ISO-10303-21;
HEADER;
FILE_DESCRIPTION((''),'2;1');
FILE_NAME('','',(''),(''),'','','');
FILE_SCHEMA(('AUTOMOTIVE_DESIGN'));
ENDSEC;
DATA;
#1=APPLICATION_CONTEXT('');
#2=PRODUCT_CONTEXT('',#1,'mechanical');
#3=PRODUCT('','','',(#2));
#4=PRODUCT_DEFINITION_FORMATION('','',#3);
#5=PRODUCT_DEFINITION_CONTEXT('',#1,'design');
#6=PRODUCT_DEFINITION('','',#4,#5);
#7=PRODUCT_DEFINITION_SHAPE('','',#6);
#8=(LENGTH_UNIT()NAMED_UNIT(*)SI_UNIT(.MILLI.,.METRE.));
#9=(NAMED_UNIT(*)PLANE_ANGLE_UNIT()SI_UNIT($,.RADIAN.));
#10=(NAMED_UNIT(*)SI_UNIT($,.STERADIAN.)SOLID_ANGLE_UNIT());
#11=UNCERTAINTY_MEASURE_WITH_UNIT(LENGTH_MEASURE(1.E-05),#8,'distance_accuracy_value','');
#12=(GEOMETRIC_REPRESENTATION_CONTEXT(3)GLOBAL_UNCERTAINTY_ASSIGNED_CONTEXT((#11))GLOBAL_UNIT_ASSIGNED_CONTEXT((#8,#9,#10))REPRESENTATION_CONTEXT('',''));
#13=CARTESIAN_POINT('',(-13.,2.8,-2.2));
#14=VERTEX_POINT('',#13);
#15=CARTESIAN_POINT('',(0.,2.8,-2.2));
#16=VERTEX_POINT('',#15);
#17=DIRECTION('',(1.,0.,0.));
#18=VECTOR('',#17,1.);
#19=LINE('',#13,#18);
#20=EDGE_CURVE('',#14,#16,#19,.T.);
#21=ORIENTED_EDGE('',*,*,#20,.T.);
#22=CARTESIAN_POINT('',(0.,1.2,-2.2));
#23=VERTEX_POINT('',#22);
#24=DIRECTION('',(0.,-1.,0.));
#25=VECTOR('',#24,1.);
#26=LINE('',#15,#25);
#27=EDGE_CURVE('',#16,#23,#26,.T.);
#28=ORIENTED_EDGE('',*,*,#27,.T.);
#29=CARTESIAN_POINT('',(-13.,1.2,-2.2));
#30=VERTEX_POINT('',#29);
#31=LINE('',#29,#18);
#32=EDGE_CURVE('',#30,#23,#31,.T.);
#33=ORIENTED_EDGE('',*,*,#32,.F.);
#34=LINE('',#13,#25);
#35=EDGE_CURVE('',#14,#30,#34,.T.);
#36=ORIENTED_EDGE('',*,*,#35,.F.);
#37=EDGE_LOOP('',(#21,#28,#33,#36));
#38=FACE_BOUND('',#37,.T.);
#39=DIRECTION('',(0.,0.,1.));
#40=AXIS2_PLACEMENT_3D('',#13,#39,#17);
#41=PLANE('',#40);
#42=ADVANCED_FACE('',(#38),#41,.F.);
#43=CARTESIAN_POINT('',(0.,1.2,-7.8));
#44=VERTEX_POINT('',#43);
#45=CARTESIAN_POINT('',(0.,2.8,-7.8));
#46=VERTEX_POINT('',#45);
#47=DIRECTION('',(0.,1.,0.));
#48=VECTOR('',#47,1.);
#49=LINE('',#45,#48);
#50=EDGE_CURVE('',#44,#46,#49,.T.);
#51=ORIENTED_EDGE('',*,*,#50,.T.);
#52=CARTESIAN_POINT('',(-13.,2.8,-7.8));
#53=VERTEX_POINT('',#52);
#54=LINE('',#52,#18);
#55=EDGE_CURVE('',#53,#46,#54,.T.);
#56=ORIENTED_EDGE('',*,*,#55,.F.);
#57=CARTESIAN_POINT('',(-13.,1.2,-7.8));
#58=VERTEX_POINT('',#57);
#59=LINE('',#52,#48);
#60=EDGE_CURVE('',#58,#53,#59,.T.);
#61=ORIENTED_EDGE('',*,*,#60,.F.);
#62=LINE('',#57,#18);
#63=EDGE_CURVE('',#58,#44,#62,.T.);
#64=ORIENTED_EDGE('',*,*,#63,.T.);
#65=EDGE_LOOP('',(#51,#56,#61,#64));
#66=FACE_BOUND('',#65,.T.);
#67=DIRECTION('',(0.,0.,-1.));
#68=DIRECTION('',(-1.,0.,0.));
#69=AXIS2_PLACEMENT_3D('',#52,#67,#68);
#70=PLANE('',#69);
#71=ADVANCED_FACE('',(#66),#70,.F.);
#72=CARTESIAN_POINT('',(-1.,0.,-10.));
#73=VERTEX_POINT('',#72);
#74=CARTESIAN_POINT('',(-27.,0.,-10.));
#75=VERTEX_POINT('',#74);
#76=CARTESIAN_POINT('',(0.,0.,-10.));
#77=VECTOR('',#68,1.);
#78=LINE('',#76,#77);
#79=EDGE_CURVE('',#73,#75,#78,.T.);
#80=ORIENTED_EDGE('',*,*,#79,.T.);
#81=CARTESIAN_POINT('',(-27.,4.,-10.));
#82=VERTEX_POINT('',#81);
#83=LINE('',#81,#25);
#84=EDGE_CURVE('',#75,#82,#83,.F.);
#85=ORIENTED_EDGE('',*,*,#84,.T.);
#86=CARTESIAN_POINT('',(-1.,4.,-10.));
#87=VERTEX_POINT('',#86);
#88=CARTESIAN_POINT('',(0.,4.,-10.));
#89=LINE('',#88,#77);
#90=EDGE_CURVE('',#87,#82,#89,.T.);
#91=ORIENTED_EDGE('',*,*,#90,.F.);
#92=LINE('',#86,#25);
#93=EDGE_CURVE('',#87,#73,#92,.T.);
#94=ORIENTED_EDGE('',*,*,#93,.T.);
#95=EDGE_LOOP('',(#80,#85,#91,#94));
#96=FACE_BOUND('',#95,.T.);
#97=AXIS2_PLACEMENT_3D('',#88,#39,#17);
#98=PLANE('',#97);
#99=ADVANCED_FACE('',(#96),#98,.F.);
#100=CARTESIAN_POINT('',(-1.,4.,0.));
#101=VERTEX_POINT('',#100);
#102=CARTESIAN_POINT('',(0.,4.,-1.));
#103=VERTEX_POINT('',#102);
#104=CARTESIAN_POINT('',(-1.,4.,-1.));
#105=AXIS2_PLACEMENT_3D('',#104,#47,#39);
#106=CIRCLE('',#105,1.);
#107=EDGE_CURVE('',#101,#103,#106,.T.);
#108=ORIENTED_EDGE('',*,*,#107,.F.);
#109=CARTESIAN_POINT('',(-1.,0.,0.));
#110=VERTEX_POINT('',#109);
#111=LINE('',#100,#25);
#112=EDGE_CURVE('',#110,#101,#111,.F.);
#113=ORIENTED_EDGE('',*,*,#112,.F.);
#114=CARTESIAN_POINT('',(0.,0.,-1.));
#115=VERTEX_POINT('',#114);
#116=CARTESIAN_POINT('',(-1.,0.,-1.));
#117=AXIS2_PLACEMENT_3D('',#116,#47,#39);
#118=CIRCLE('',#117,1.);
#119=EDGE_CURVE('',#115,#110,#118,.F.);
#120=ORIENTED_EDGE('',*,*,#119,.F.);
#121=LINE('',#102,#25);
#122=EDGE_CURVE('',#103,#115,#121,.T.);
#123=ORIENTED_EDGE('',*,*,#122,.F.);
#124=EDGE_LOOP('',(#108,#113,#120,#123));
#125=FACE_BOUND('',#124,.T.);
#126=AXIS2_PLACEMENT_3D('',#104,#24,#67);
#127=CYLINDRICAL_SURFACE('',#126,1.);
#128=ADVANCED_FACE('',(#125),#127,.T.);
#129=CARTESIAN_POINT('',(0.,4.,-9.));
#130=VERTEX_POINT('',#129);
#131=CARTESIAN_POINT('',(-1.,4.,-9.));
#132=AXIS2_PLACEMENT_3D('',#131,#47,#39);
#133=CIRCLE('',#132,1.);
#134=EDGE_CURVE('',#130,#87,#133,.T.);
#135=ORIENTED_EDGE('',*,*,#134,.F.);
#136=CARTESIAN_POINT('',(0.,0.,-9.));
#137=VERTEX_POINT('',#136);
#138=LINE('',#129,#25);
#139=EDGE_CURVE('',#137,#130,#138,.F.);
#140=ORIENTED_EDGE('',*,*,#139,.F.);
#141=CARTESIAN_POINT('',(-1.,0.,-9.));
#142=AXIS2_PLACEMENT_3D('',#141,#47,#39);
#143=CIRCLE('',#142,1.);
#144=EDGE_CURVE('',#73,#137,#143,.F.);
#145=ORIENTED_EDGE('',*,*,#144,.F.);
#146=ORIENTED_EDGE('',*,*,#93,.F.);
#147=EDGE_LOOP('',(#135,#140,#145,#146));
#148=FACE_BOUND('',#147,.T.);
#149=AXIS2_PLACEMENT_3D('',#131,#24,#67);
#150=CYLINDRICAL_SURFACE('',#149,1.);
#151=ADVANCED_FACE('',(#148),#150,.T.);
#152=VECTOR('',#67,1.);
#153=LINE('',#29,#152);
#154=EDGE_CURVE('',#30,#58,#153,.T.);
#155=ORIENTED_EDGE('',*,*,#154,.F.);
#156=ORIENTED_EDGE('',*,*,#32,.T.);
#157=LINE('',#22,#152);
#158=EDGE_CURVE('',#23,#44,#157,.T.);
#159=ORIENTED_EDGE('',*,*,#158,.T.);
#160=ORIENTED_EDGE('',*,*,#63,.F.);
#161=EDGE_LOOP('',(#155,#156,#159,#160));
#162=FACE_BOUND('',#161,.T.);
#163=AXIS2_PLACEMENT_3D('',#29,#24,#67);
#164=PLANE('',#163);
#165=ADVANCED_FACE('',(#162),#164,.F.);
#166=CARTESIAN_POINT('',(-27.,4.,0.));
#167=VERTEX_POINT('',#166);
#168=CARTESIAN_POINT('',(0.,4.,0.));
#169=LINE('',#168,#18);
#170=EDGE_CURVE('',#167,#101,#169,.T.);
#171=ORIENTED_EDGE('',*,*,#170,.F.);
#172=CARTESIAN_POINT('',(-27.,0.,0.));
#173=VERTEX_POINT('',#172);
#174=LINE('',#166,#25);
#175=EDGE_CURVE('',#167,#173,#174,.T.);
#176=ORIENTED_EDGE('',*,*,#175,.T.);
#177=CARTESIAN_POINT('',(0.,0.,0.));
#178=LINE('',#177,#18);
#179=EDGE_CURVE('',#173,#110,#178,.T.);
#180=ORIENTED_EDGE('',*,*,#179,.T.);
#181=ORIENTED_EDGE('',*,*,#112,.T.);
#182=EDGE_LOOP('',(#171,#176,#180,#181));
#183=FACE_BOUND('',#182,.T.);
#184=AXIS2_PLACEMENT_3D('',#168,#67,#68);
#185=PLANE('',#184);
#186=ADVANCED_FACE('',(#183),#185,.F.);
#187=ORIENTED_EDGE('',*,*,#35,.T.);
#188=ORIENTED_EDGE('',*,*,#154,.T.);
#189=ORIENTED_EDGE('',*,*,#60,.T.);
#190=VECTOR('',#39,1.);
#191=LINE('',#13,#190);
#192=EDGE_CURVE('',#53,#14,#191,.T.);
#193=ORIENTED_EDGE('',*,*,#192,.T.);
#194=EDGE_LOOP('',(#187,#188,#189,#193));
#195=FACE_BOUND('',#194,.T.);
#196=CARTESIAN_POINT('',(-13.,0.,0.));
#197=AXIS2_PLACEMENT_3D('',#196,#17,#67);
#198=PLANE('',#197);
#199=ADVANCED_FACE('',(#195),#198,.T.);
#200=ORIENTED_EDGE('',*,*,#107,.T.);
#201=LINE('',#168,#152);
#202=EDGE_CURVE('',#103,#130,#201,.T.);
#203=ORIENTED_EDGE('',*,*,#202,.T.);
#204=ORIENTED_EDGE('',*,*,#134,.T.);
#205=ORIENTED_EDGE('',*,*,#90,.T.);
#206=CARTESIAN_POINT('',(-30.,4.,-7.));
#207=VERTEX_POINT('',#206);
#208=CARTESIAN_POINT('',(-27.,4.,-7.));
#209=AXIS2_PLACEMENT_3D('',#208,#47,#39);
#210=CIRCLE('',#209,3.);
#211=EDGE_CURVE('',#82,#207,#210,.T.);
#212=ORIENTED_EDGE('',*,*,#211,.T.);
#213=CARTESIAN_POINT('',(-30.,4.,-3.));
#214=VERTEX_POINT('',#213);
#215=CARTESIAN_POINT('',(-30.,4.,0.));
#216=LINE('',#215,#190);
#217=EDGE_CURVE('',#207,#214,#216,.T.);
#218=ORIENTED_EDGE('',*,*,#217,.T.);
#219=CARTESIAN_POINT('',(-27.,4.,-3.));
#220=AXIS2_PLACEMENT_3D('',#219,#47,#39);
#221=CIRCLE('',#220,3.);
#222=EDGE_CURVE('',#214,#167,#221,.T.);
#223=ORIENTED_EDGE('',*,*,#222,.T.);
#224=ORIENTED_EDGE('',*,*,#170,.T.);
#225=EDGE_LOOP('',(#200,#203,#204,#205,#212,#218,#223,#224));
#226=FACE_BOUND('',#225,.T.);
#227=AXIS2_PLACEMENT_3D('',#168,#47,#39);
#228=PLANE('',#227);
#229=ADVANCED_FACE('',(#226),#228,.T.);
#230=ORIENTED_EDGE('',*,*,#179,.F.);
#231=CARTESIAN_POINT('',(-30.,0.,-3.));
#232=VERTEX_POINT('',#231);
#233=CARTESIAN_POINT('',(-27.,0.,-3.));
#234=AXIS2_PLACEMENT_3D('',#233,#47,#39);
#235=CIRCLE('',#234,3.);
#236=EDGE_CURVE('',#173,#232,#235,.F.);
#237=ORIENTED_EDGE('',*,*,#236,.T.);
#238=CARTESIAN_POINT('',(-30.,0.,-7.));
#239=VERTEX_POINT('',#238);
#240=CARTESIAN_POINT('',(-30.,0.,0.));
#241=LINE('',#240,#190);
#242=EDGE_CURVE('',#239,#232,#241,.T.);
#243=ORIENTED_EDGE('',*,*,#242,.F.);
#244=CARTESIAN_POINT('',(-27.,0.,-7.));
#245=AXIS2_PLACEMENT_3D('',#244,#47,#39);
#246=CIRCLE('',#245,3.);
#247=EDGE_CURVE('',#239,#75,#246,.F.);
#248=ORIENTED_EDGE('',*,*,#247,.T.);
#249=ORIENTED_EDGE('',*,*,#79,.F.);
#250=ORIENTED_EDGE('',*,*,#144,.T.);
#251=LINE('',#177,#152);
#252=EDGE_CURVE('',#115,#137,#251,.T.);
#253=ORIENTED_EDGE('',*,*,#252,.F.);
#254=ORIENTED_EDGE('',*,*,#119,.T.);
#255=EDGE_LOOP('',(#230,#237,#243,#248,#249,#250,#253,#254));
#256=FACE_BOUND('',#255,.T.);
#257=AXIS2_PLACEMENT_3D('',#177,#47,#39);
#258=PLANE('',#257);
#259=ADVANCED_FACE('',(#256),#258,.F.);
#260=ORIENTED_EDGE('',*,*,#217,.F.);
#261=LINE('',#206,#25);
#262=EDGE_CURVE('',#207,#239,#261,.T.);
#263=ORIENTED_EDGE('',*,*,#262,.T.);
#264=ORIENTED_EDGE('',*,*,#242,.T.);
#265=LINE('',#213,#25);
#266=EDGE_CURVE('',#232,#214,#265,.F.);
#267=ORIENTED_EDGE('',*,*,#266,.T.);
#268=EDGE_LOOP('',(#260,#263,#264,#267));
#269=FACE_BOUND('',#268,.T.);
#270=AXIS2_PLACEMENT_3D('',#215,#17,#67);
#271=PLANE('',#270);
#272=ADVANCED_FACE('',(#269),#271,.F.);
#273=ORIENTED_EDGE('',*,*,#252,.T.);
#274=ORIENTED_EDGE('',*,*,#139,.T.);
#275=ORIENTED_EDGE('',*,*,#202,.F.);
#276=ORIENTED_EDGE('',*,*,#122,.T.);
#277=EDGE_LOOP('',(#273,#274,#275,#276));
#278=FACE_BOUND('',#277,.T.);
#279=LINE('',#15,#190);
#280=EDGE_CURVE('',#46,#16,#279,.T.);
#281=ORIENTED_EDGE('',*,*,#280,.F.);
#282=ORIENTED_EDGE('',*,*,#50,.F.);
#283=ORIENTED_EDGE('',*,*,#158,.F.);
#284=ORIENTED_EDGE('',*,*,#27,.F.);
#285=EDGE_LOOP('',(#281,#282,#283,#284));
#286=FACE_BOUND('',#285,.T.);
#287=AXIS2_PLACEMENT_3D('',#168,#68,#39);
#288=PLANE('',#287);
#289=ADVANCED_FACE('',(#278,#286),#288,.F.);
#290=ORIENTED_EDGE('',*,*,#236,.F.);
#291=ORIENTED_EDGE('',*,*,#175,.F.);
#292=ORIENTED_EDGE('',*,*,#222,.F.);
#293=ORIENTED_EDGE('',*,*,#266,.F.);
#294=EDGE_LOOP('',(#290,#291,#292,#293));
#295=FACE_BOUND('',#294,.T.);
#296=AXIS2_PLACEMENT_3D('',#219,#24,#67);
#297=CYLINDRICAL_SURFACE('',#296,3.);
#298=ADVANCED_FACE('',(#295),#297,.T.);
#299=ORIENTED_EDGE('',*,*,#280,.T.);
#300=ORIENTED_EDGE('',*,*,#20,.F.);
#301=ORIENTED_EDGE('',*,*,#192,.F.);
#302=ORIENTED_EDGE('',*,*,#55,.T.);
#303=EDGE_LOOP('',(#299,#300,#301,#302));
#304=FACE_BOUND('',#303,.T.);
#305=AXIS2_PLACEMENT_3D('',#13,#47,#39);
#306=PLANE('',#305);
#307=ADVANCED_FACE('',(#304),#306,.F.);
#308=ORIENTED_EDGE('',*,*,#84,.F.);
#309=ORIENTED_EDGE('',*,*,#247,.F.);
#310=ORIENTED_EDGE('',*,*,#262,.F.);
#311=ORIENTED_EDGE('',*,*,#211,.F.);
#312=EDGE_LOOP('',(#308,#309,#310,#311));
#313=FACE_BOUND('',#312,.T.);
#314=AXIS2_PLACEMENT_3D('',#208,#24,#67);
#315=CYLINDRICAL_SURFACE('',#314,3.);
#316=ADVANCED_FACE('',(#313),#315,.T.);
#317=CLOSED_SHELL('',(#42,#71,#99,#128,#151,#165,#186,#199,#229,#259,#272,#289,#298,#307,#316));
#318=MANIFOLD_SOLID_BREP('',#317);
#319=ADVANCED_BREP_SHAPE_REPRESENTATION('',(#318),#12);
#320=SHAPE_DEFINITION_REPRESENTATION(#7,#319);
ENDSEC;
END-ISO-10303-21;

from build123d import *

# Parameters (mm, degrees)
SKETCH1_W           = 30
SKETCH1_H           = 10
BOSS_EXTRUDE1_DEPTH = 4
SKETCH2_W           = 5.6
SKETCH2_H           = 1.6
CUT_EXTRUDE1_DEPTH  = 13
FILLET1_R           = 3
FILLET2_R           = 1


with BuildPart() as part:
    # Sketch1 → Boss-Extrude1 (new body)
    with BuildSketch(Plane(origin=(0, 0, 0), x_dir=(1, 0, 0), z_dir=(0, 1, 0))):
        with Locations((-15, 5)):
            Rectangle(SKETCH1_W, SKETCH1_H)
    extrude(amount=BOSS_EXTRUDE1_DEPTH)

    # Sketch2 → Cut-Extrude1 (cut)
    with BuildSketch(Plane(origin=(0, 0, 0), x_dir=(0, 0, -1), z_dir=(1, 0, 0))):
        with Locations((5, 2)):
            Rectangle(SKETCH2_W, SKETCH2_H)
    extrude(amount=-CUT_EXTRUDE1_DEPTH, mode=Mode.SUBTRACT)

    # Fillet1
    fillet1_edges = [part.edges().sort_by_distance(p)[0] for p in [
        (-30, 2, 0),
        (-30, 2, -10),
    ]]
    fillet(fillet1_edges, radius=FILLET1_R)

    # Fillet2
    fillet2_edges = [part.edges().sort_by_distance(p)[0] for p in [
        (0, 2, 0),
        (0, 2, -10),
    ]]
    fillet(fillet2_edges, radius=FILLET2_R)


solid = part.part
